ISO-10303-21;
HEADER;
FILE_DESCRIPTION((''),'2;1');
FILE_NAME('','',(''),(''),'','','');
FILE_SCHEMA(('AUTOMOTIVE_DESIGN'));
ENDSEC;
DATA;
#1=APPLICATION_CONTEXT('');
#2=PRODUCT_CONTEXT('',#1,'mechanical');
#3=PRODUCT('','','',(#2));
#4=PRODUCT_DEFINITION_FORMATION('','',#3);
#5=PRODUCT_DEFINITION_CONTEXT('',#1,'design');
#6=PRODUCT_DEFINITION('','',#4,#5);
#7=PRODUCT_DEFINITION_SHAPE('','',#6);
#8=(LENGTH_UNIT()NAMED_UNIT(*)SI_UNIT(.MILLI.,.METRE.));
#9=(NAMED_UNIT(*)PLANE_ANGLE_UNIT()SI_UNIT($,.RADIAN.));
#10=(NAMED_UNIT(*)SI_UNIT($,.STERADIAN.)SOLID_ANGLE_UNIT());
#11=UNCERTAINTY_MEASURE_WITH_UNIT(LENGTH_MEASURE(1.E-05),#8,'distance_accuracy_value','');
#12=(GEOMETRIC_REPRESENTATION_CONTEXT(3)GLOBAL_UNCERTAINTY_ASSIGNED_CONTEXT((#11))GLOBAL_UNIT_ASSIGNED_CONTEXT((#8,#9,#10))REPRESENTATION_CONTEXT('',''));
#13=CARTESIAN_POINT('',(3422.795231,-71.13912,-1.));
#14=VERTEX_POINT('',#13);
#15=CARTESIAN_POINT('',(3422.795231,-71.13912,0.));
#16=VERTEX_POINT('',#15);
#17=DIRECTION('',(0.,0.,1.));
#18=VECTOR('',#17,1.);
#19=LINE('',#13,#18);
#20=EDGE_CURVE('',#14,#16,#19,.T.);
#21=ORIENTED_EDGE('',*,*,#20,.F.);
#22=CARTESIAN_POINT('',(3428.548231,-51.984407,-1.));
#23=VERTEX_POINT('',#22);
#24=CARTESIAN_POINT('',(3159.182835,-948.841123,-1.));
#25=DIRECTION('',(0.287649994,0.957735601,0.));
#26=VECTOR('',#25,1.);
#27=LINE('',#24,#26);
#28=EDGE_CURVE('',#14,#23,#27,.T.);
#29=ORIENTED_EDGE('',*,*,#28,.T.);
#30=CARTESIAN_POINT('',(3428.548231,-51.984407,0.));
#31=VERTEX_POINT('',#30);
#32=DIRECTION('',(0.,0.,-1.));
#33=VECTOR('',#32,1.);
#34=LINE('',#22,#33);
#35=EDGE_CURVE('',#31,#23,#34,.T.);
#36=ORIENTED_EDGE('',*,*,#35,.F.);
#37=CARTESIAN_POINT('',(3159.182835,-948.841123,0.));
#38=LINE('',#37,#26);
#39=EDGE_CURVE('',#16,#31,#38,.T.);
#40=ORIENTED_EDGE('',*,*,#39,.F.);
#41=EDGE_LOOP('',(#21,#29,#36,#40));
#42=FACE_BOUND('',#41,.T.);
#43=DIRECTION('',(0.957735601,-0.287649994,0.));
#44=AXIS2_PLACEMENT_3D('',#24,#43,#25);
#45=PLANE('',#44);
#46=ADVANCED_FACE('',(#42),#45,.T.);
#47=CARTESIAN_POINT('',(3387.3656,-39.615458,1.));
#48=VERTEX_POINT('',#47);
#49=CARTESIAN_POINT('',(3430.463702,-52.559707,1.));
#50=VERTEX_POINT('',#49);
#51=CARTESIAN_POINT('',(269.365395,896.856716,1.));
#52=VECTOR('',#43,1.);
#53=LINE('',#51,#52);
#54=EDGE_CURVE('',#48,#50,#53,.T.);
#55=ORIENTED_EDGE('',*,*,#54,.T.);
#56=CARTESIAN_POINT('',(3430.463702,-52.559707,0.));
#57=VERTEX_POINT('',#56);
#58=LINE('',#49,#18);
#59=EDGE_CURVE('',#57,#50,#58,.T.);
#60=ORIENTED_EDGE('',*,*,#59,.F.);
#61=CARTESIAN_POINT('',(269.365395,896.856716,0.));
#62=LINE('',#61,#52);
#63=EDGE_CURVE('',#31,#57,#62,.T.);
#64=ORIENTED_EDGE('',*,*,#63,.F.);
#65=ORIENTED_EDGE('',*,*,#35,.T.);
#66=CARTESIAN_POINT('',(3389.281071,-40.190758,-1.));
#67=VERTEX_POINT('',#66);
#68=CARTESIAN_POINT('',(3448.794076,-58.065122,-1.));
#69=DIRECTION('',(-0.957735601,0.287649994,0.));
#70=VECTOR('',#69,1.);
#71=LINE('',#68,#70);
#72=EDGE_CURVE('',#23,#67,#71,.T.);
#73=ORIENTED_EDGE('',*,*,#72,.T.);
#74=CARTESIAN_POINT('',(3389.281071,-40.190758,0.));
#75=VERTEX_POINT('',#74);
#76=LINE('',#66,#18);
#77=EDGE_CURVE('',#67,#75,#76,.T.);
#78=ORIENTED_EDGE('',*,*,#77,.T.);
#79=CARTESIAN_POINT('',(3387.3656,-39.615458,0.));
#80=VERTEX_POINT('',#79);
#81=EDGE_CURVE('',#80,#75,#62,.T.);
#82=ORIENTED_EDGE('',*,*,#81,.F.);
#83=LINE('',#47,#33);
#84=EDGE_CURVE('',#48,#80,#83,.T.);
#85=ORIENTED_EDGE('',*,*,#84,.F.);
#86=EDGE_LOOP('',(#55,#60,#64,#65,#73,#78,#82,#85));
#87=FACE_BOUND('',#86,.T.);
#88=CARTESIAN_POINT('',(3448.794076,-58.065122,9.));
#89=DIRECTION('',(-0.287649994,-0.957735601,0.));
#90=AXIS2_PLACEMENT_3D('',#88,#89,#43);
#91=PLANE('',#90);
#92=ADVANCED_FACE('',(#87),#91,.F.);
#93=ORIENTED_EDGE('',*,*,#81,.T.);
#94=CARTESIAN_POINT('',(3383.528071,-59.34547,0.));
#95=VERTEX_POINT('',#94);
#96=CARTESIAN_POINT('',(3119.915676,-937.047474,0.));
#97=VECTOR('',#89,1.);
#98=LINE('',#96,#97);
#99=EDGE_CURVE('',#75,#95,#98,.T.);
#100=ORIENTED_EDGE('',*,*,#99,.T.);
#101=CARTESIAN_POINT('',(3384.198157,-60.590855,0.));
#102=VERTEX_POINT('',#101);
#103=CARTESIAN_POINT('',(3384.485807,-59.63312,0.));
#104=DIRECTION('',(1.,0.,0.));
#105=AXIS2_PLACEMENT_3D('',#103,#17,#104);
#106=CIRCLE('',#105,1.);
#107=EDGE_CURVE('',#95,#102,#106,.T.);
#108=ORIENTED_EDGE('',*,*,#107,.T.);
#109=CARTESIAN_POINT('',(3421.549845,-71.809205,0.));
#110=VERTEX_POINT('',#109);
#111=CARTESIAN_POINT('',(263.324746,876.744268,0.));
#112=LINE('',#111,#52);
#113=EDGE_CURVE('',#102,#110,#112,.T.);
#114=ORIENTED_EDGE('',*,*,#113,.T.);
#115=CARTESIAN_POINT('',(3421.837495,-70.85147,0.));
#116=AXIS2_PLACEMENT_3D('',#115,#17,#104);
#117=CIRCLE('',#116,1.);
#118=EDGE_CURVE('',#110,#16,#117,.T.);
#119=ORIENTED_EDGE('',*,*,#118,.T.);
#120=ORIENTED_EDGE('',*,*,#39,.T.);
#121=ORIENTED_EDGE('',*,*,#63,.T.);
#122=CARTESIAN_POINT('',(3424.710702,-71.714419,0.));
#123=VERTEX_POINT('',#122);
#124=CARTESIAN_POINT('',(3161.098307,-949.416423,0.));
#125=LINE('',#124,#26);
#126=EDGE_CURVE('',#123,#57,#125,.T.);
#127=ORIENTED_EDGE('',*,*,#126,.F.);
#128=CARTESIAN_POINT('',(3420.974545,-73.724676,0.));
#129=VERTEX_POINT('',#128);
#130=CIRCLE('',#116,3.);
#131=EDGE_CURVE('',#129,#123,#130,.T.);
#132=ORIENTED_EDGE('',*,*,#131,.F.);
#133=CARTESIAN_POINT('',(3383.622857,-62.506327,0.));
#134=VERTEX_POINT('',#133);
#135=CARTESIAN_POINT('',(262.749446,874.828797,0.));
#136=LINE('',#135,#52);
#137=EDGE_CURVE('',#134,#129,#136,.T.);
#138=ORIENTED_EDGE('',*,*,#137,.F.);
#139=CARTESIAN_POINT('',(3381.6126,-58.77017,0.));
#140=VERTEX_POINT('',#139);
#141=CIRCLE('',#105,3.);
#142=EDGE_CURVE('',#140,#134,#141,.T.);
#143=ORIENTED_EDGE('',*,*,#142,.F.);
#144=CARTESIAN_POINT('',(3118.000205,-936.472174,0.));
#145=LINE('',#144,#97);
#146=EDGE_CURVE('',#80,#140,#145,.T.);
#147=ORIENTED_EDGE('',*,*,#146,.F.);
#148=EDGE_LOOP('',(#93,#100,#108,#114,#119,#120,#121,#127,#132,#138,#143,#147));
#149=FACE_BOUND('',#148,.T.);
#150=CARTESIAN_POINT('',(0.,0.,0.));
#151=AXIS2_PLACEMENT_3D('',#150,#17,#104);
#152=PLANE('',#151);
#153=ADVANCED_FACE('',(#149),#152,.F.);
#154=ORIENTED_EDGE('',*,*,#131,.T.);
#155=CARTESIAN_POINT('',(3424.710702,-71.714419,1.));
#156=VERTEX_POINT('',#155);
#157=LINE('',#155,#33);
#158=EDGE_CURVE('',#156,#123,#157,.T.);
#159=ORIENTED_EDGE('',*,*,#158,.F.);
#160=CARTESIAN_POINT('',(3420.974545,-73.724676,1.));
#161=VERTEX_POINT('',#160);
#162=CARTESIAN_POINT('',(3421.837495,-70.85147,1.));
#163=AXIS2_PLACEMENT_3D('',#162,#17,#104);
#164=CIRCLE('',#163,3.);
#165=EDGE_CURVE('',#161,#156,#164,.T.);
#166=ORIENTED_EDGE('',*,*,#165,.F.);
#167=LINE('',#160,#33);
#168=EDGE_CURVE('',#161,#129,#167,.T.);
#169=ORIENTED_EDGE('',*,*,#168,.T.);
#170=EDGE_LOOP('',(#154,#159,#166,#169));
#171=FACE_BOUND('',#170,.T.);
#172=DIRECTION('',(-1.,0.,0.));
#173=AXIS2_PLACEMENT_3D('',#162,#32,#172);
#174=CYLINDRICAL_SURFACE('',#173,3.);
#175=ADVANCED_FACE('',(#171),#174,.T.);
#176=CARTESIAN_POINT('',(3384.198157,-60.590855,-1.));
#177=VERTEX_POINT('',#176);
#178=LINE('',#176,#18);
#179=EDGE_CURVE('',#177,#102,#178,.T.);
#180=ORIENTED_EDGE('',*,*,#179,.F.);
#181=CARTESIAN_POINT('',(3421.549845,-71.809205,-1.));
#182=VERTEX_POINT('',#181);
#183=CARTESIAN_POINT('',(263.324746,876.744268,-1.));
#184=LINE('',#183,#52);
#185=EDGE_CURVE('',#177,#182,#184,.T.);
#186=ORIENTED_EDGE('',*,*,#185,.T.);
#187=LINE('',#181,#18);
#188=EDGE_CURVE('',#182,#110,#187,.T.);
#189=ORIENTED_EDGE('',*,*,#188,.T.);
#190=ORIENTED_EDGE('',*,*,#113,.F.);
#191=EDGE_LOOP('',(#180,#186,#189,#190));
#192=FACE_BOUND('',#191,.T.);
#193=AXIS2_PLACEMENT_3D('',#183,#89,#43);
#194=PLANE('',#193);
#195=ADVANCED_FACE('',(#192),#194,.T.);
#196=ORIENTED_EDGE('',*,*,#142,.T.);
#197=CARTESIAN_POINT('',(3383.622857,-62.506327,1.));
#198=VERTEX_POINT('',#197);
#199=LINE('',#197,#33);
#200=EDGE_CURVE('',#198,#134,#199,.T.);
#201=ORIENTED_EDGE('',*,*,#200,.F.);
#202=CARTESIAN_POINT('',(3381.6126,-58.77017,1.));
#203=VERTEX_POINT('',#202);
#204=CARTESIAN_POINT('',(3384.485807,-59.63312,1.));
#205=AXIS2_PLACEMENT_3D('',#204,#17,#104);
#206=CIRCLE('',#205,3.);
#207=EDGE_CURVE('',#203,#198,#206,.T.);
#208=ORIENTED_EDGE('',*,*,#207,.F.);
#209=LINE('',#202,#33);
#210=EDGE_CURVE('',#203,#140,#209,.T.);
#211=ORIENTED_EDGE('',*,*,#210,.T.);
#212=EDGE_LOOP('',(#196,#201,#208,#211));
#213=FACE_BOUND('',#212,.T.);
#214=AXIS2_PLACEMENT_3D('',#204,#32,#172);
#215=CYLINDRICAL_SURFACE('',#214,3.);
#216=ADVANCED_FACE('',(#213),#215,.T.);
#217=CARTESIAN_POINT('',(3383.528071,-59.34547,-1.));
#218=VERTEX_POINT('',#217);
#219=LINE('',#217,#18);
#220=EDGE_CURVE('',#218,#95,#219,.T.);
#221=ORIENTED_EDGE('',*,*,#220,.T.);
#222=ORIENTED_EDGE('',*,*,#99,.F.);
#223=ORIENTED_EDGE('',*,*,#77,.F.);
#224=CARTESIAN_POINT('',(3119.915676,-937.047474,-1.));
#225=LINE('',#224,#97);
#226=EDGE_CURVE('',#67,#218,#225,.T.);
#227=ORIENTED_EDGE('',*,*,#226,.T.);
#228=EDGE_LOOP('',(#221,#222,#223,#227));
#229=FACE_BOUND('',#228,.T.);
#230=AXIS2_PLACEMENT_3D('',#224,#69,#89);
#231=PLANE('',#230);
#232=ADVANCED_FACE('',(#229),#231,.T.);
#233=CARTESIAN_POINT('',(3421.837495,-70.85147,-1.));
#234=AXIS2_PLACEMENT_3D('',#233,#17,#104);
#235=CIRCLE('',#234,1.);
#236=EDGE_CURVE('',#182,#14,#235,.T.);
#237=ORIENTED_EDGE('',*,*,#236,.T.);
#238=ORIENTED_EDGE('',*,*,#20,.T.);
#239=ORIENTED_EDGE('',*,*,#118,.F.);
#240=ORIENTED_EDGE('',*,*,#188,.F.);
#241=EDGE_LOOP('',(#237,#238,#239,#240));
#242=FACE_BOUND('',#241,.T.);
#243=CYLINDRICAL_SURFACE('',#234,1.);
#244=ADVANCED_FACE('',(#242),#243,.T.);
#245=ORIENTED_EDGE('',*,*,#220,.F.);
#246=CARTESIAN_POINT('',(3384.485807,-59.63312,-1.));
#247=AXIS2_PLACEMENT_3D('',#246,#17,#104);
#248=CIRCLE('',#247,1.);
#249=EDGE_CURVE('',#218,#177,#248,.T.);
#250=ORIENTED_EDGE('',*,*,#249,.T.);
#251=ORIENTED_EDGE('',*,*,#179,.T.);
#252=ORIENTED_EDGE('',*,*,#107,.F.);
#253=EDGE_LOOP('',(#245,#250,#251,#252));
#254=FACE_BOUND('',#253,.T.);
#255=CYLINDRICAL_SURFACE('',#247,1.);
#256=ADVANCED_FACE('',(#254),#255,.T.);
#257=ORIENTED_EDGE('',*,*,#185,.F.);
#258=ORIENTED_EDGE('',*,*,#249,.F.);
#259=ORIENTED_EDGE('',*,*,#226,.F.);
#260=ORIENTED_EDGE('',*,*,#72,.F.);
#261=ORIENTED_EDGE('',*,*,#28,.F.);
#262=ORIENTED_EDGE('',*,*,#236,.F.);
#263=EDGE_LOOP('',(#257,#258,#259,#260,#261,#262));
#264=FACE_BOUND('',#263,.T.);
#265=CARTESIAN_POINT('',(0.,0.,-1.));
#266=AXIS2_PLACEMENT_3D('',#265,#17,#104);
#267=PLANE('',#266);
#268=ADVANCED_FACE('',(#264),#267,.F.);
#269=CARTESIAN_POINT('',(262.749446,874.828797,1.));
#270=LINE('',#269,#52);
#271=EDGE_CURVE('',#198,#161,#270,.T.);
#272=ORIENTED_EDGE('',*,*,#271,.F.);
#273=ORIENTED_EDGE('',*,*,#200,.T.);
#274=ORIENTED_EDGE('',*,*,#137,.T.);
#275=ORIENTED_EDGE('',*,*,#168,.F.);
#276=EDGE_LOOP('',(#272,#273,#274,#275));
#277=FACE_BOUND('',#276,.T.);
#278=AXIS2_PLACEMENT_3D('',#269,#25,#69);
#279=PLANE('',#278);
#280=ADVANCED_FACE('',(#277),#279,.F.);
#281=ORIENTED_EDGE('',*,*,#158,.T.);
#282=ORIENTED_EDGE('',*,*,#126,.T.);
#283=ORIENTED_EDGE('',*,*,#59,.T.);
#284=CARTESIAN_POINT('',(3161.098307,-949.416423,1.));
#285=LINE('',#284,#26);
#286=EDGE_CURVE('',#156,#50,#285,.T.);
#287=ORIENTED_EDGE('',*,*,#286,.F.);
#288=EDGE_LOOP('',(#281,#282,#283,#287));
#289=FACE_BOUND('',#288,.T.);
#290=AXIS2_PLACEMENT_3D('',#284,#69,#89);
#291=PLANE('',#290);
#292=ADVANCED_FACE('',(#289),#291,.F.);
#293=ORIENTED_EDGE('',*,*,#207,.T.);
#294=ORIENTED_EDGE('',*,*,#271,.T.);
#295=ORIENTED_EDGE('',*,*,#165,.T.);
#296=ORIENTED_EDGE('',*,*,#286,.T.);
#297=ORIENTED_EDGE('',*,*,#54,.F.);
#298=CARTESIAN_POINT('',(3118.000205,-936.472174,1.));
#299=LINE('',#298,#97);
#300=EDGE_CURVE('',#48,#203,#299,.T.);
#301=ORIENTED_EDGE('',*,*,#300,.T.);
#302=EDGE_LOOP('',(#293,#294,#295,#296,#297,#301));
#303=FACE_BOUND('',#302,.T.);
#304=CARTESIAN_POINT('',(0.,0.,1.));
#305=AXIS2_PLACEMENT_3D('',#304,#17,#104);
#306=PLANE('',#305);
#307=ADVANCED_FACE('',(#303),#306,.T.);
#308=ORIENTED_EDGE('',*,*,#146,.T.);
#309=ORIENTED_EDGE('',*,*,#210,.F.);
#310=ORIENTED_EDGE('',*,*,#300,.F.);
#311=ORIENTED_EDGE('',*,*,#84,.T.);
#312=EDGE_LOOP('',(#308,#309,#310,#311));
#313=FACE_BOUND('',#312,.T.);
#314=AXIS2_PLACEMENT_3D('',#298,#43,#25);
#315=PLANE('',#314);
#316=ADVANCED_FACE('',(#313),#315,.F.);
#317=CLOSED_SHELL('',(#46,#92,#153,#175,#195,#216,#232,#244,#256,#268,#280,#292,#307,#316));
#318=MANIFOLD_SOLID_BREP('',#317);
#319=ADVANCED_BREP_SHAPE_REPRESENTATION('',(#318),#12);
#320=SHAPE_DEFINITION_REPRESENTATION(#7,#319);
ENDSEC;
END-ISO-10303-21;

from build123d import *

# Parameters (mm, degrees)
BOSS_EXTRUDE1_DEPTH = 1
BOSS_EXTRUDE2_DEPTH = 1
CUT_EXTRUDE1_DEPTH  = 10


with BuildPart() as part:
    # Sketch1 → Boss-Extrude1 (new body)
    with BuildSketch(Plane.XY):
        with BuildLine():
            ThreePointArc((3432.575330737, -38.576109077), (3432.498215735, -37.814637007), (3431.90524513, -37.330723482))
            Line((3431.90524513, -37.330723482), (3394.553556699, -26.112373721))
            ThreePointArc((3394.553556699, -26.112373721), (3393.792084629, -26.189488722), (3393.308171105, -26.782459328))
            Line((3393.308171105, -26.782459328), (3383.528071313, -59.345469754))
            ThreePointArc((3383.528071313, -59.345469754), (3383.605186314, -60.106941825), (3384.198156919, -60.590855349))
            Line((3384.198156919, -60.590855349), (3421.54984535, -71.809205111))
            ThreePointArc((3421.54984535, -71.809205111), (3422.311317421, -71.732090109), (3422.795230945, -71.139119504))
            Line((3422.795230945, -71.139119504), (3432.575330737, -38.576109077))
        make_face()
    extrude(amount=-BOSS_EXTRUDE1_DEPTH)

    # Sketch1<4> → Boss-Extrude2 (add)
    with BuildSketch(Plane.XY):
        with BuildLine():
            ThreePointArc((3395.128856687, -24.196902519), (3392.844440476, -24.428247524), (3391.392699903, -26.20715934))
            Line((3391.392699903, -26.20715934), (3381.612600111, -58.770169767))
            ThreePointArc((3381.612600111, -58.770169767), (3381.843945116, -61.054585978), (3383.622856932, -62.506326551))
            Line((3383.622856932, -62.506326551), (3420.974545362, -73.724676312))
            ThreePointArc((3420.974545362, -73.724676312), (3423.258961574, -73.493331308), (3424.710702146, -71.714419492))
            Line((3424.710702146, -71.714419492), (3434.490801939, -39.151409065))
            ThreePointArc((3434.490801939, -39.151409065), (3434.259456934, -36.866992853), (3432.480545118, -35.415252281))
            Line((3432.480545118, -35.415252281), (3395.128856687, -24.196902519))
        make_face()
    extrude(amount=BOSS_EXTRUDE2_DEPTH)

    # Sketch2 → Cut-Extrude1 (cut)
    with BuildSketch(Plane(origin=(0, 0, -1), x_dir=(-1, 0, 0), z_dir=(0, 0, -1))):
        Polygon((-3455.741612738, -34.933179244), (-3387.643444689, -14.48031354), (-3380.69590789, -37.612256774), (-3448.79407594, -58.065122478), align=None)
    extrude(amount=-CUT_EXTRUDE1_DEPTH, mode=Mode.SUBTRACT)


solid = part.part
